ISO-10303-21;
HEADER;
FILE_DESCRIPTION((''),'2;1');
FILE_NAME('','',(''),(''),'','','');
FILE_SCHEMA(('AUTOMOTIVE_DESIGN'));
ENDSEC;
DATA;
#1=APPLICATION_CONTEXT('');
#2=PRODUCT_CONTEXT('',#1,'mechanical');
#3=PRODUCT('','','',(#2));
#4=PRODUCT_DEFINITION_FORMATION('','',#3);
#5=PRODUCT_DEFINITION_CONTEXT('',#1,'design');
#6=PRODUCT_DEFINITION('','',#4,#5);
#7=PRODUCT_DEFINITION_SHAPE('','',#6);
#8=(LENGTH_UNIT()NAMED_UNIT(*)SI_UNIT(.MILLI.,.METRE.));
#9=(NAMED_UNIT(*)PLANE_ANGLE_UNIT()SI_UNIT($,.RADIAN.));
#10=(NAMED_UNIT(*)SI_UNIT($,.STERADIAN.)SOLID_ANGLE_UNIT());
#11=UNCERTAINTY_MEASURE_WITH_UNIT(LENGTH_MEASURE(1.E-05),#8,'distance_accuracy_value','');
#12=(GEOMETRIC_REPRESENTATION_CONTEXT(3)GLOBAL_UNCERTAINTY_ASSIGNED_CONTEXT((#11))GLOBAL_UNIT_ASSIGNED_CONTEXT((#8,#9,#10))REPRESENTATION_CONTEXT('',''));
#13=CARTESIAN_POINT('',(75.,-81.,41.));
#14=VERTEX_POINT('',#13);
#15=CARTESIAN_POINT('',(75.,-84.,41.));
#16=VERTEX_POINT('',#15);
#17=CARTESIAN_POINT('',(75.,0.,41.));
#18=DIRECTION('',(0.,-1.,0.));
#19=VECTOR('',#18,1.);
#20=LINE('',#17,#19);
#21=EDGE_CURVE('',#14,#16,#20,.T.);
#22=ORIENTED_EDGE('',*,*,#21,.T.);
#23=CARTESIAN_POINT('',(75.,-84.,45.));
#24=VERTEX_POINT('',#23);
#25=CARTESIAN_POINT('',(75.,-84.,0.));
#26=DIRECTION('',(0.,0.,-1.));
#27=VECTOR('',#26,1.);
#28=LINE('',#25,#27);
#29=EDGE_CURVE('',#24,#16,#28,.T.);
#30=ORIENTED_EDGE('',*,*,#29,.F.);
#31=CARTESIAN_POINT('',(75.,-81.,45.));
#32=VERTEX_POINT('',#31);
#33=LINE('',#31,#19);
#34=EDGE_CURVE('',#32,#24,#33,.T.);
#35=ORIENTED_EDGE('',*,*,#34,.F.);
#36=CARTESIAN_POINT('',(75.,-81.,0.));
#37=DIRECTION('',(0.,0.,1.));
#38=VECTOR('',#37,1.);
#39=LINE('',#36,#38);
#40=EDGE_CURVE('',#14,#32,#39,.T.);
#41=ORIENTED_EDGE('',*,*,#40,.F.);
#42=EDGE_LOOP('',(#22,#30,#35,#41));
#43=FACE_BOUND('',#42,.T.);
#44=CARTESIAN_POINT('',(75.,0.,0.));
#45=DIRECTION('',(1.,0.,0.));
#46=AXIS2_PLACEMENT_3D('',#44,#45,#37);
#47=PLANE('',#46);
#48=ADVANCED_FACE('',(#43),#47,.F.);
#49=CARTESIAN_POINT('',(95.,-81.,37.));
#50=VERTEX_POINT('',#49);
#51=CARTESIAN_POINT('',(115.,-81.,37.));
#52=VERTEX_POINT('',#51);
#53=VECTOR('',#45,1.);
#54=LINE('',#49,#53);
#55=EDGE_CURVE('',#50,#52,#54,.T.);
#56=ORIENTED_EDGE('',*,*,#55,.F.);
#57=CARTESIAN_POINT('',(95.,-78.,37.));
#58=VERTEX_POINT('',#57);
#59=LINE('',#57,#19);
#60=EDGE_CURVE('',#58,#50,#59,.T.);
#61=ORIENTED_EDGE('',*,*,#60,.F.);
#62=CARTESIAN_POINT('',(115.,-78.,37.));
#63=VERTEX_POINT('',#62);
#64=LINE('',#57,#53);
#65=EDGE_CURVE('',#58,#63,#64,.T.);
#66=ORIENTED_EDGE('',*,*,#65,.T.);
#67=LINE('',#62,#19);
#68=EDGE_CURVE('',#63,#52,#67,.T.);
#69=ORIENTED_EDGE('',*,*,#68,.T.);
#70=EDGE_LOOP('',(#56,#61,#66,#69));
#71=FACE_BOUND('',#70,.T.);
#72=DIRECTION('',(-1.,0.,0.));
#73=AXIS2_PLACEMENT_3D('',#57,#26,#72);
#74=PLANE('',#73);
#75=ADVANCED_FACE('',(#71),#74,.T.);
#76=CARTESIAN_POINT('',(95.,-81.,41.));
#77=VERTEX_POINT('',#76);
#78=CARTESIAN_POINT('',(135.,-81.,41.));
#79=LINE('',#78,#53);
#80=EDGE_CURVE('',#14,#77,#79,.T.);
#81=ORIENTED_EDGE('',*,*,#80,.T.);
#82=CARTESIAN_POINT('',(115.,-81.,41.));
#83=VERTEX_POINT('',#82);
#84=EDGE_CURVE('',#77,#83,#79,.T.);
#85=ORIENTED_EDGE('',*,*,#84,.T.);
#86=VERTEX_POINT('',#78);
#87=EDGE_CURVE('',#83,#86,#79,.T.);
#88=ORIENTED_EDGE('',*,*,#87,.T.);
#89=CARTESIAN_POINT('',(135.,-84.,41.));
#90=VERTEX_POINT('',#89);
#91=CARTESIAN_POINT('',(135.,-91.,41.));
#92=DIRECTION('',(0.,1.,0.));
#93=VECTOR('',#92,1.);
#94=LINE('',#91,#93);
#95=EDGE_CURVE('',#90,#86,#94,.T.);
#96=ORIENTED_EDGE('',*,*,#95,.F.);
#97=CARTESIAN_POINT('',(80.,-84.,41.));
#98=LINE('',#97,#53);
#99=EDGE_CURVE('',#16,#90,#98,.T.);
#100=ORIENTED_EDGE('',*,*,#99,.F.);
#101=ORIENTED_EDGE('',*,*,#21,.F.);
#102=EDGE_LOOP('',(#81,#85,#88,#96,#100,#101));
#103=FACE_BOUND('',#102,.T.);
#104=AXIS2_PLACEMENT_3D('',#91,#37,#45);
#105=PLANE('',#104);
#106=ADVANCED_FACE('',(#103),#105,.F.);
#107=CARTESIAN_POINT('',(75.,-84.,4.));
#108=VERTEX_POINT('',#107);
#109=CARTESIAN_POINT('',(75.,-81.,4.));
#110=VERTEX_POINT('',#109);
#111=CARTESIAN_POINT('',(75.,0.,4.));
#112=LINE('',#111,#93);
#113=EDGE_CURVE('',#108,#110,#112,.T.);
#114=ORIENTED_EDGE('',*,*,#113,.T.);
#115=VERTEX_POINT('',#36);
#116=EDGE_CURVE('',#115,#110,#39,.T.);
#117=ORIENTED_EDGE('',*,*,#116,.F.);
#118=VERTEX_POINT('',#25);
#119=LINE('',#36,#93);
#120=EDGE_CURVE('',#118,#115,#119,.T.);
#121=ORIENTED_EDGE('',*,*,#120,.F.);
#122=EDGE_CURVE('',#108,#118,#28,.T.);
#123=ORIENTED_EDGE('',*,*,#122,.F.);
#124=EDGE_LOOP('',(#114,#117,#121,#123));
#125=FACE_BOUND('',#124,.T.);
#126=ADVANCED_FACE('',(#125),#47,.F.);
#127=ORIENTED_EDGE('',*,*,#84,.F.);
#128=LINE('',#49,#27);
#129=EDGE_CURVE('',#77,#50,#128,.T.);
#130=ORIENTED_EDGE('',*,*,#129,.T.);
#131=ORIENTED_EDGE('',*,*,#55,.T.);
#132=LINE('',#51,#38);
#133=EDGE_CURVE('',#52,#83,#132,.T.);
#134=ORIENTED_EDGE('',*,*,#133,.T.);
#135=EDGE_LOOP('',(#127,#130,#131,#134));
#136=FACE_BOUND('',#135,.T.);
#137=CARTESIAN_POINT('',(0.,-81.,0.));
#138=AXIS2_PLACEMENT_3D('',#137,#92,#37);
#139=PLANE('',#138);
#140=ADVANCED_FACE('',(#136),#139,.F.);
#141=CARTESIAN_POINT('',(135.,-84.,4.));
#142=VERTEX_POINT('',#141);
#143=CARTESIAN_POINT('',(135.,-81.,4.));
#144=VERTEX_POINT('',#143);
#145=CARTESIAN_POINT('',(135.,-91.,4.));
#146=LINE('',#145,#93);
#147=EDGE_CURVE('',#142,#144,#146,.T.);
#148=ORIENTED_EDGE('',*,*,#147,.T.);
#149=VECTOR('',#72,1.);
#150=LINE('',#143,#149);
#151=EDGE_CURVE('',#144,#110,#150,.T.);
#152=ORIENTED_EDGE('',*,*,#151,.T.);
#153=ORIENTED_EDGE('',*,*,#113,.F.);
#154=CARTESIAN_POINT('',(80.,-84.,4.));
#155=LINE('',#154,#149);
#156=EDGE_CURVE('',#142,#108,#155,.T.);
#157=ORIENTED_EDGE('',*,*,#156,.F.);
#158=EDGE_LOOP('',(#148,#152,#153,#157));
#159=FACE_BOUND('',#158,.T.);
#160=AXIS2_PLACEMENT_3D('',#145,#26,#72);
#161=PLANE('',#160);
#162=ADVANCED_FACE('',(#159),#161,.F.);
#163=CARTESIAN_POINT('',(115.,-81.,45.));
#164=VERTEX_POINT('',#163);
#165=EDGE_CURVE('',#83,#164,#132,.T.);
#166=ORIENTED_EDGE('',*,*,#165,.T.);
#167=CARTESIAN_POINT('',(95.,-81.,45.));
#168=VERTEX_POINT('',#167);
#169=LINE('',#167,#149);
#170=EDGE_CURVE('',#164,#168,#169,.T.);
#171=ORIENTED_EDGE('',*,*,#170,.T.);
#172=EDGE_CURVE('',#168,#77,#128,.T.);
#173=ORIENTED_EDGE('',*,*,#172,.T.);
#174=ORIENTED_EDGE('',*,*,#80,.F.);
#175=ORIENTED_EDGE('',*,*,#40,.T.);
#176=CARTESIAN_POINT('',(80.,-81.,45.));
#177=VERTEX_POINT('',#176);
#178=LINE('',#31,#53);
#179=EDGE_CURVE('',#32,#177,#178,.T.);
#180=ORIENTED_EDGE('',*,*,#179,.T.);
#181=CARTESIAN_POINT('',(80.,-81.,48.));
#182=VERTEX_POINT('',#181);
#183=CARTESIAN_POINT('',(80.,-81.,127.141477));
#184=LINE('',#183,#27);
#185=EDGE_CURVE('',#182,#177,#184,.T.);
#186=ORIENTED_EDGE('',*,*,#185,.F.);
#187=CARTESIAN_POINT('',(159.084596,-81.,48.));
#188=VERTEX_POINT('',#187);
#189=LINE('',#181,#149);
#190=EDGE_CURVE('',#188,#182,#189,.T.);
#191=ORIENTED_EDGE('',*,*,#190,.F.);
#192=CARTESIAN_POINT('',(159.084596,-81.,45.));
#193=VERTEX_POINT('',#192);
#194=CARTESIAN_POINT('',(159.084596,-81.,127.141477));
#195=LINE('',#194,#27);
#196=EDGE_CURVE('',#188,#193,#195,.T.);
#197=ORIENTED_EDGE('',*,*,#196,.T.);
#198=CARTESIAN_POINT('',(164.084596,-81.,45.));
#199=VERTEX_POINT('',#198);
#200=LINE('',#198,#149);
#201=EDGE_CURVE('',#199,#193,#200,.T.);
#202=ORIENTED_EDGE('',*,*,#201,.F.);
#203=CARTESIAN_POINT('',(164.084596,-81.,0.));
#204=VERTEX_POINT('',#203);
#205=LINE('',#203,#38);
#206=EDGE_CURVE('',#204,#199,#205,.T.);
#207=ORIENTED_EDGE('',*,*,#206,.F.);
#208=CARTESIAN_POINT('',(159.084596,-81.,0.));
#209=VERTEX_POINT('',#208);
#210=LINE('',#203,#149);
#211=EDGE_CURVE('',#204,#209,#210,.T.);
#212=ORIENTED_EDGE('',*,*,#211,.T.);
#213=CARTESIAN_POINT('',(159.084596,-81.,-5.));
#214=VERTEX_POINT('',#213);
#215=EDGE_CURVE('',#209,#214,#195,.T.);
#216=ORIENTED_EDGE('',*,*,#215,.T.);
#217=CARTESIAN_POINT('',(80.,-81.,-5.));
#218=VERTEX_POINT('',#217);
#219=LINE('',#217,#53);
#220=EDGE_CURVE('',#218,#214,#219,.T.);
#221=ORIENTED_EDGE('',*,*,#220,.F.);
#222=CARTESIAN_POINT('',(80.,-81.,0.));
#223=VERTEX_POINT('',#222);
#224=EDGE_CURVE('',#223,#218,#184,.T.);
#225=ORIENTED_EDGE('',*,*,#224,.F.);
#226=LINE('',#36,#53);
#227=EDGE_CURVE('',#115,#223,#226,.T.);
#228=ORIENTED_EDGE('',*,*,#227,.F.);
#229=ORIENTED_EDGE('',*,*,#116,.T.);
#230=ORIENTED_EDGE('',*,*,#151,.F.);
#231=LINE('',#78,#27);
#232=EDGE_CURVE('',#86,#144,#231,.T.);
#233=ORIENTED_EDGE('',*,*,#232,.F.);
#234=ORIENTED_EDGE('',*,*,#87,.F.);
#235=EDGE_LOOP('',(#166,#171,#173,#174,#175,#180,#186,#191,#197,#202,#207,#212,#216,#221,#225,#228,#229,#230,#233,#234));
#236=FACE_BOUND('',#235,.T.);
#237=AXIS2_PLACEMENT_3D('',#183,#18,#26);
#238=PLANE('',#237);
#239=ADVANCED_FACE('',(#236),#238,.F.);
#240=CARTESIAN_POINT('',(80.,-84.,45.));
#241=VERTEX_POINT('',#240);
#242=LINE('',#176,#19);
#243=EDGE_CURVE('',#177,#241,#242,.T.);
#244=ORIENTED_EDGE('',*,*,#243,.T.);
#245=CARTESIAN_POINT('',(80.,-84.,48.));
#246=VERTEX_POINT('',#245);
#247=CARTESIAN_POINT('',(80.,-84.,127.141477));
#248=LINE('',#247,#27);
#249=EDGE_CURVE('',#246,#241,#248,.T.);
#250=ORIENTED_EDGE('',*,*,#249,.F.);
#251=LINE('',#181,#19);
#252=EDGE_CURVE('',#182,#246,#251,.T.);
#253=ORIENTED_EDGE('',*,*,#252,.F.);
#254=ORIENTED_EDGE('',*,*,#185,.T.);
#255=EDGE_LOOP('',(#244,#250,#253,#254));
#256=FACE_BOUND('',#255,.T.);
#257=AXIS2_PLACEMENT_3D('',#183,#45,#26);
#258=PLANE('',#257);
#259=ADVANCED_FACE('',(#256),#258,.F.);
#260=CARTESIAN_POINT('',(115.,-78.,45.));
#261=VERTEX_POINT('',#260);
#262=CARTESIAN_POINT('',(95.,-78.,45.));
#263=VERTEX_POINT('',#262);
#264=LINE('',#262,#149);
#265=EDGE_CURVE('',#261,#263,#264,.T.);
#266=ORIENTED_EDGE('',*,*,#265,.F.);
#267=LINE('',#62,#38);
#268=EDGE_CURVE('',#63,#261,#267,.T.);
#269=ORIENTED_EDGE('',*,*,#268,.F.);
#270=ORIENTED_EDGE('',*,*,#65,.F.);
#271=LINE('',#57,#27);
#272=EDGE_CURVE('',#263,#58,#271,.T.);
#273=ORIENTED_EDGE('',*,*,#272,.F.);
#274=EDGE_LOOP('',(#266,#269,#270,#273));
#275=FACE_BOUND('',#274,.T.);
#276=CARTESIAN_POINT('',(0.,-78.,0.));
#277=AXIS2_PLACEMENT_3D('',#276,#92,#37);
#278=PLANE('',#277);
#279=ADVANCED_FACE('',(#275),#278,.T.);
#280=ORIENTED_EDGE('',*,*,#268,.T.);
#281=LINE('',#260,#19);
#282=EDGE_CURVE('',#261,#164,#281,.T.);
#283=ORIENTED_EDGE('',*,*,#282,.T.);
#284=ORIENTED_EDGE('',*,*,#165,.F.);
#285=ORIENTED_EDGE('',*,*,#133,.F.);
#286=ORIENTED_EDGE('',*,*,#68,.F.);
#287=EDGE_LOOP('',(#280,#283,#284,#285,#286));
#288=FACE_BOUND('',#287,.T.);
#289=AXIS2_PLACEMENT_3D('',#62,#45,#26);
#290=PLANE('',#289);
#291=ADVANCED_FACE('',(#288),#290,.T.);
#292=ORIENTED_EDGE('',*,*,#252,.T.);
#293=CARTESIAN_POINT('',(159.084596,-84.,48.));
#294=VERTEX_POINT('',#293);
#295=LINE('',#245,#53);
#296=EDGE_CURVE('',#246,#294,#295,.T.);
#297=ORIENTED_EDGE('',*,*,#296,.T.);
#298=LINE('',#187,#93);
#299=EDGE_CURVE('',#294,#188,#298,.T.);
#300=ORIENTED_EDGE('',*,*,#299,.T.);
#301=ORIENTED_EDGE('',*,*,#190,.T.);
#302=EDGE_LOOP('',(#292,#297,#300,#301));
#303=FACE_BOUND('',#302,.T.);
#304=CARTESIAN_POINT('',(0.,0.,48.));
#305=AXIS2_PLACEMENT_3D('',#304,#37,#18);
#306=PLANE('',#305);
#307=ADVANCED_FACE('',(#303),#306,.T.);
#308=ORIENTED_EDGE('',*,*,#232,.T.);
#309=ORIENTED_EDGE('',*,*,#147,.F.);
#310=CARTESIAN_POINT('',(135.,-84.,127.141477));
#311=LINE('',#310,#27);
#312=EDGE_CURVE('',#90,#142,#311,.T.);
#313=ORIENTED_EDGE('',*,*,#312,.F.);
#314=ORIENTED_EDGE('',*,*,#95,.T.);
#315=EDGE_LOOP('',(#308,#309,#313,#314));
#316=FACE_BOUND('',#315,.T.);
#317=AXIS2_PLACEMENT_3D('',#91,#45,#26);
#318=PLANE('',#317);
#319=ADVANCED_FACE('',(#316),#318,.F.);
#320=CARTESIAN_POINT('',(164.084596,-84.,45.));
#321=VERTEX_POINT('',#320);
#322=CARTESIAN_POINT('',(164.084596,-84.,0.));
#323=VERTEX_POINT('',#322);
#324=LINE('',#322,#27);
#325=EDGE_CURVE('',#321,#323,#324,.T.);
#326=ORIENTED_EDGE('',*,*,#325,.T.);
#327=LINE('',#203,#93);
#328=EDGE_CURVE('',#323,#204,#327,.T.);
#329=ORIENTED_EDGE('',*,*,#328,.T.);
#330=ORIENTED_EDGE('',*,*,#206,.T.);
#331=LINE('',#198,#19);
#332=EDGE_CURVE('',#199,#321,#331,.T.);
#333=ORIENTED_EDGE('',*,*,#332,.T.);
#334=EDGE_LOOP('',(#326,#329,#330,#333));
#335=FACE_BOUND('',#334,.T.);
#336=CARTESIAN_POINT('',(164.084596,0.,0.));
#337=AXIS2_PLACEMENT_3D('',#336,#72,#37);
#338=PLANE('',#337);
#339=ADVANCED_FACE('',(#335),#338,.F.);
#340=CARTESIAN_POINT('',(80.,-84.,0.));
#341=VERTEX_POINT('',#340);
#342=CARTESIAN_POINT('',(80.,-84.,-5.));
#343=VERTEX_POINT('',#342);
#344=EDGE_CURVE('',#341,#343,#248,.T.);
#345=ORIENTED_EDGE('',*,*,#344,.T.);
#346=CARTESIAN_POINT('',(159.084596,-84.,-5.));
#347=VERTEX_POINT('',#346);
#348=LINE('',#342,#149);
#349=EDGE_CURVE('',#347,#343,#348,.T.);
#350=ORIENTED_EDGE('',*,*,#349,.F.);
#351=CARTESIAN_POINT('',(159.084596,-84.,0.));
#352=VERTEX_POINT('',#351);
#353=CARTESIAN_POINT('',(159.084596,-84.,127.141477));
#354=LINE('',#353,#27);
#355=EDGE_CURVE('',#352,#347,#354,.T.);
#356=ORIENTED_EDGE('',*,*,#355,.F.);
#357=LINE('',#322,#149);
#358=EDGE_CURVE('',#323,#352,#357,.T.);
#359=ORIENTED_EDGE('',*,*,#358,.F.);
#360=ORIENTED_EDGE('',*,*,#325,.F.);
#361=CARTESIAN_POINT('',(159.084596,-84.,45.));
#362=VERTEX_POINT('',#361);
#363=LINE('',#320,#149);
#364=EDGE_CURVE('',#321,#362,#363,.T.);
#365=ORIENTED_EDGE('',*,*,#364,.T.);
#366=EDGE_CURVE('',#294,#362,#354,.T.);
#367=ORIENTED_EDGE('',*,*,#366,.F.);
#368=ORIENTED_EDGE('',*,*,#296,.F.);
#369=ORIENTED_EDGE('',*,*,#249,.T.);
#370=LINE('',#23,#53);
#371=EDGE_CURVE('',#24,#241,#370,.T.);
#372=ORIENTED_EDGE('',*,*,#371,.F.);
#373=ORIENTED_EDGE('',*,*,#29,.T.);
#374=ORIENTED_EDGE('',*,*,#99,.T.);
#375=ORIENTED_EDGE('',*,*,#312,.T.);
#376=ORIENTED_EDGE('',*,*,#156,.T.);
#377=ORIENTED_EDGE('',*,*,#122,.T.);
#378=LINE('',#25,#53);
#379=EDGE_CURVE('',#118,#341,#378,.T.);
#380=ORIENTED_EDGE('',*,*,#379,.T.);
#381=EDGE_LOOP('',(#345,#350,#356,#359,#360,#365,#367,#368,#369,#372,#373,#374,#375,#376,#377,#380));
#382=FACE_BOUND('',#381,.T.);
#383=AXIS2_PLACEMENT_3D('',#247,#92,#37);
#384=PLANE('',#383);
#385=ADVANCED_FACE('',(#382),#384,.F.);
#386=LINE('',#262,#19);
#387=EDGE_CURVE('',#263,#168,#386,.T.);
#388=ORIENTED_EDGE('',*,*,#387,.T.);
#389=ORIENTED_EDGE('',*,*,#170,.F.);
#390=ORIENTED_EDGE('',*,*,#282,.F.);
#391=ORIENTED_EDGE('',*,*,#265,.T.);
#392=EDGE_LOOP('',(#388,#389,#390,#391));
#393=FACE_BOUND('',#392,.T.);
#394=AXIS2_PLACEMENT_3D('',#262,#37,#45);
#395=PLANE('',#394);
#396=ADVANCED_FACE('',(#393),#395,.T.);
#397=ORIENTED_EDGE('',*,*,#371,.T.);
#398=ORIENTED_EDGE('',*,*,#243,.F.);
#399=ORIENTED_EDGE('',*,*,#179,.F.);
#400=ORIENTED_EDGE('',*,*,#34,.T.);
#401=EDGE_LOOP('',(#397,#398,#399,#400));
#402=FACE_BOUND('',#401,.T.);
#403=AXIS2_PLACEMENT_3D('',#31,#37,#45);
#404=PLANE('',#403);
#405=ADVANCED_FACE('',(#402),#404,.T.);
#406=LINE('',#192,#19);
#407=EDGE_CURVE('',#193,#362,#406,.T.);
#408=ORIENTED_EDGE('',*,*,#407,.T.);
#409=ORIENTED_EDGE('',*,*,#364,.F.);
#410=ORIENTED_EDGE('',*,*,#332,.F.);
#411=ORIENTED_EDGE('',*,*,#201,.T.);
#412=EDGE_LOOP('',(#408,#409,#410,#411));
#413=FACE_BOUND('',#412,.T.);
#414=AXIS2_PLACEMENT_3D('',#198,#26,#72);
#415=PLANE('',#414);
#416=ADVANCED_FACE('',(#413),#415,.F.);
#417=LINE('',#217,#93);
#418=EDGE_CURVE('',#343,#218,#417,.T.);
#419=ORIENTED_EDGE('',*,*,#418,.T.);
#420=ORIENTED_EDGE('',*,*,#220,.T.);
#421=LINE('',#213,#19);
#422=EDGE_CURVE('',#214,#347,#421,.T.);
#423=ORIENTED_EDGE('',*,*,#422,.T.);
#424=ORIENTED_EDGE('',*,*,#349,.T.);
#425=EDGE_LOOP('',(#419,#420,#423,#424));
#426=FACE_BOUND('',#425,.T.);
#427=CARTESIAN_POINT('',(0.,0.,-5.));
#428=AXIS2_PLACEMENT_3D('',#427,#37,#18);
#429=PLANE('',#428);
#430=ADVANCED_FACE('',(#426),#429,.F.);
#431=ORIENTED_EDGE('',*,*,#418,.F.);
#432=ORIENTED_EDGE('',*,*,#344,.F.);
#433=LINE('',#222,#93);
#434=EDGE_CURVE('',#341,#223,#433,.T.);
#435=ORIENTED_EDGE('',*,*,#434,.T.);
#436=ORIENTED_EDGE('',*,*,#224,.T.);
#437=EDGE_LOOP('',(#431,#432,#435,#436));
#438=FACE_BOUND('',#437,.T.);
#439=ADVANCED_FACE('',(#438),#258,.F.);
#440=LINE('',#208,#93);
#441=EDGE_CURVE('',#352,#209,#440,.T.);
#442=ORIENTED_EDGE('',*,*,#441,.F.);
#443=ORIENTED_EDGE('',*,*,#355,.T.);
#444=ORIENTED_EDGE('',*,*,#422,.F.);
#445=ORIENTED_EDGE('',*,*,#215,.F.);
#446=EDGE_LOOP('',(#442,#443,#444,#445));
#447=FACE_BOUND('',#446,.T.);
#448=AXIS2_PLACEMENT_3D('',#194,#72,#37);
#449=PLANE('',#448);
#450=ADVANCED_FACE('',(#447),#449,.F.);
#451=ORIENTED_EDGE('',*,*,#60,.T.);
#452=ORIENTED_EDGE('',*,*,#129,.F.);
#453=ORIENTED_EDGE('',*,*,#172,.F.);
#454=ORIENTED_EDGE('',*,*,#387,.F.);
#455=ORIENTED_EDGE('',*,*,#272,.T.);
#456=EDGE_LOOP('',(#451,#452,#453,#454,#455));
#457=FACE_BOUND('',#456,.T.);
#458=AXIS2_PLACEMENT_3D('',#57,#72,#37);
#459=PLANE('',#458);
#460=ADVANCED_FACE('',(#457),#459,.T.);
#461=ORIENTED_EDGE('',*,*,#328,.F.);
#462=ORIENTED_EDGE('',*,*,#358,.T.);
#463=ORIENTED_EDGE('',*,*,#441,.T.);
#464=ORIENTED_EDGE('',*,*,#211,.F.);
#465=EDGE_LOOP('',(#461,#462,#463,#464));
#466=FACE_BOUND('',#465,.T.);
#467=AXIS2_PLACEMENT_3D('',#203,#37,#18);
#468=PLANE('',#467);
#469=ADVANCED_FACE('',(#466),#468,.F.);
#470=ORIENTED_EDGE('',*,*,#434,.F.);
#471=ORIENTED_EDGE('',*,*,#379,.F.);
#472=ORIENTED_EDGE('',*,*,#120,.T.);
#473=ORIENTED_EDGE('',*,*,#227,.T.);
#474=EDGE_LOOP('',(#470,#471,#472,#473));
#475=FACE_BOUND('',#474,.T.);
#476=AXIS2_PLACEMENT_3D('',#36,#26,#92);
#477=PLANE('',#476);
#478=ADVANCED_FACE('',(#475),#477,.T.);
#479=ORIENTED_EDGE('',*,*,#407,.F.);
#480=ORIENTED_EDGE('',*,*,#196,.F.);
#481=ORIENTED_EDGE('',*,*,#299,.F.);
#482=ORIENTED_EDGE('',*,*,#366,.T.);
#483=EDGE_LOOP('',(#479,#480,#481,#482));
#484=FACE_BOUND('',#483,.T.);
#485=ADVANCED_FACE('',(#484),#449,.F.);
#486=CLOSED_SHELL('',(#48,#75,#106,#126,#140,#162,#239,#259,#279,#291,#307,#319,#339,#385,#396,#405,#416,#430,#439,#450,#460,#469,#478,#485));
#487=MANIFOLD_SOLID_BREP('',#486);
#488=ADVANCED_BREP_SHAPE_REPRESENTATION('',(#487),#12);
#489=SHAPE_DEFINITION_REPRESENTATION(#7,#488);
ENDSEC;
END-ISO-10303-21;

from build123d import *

# Parameters (mm, degrees)
ESTRUSIONE_ESTRUSIONE1_DEPTH      = 48
ESTRUSIONE_ESTRUSIONE1_DEPTH_BACK = 5
SCHIZZO1_W                        = 79.084596206
SCHIZZO1_H                        = 3
SCHIZZO2_W                        = 45
SCHIZZO2_H                        = 3
ESTRUSIONE_ESTRUSIONE2_DEPTH      = 5
SCHIZZO3_W                        = 60
SCHIZZO3_H                        = 37
TAGLIO_ESTRUSIONE1_DEPTH          = 10
SCHIZZO4_W                        = 20
SCHIZZO4_H                        = 8
ESTRUSIONE_ESTRUSIONE3_DEPTH      = 3


with BuildPart() as part:
    # Schizzo1 → Estrusione-Estrusione1 (new, two sides: drawn at the far end of the back side and taken through both)
    with BuildSketch(Plane.XY.offset(-ESTRUSIONE_ESTRUSIONE1_DEPTH_BACK)):
        with Locations((119.542298103, -82.5)):
            Rectangle(SCHIZZO1_W, SCHIZZO1_H)
    extrude(amount=ESTRUSIONE_ESTRUSIONE1_DEPTH + ESTRUSIONE_ESTRUSIONE1_DEPTH_BACK)

    # Schizzo2 → Estrusione-Estrusione2 (add)
    with BuildSketch(Plane(origin=(159.084596206, 0, 0), x_dir=(0, 0, -1), z_dir=(1, 0, 0))):
        with Locations((-22.5, -82.5)):
            Rectangle(SCHIZZO2_W, SCHIZZO2_H)
    estrusione_estrusione2 = extrude(amount=ESTRUSIONE_ESTRUSIONE2_DEPTH)

    # Specchia1: Estrusione-Estrusione2 across plane
    add(estrusione_estrusione2.mirror(Plane(origin=(119.542298103, 0, 0), x_dir=(0, 0, 1), z_dir=(1, 0, 0))))

    # Schizzo3 → Taglio-Estrusione1 (cut)
    with BuildSketch(Plane(origin=(0, -81, 0), x_dir=(1, 0, 0), z_dir=(0, 1, 0))):
        with Locations((105, -22.5)):
            Rectangle(SCHIZZO3_W, SCHIZZO3_H)
    extrude(amount=-TAGLIO_ESTRUSIONE1_DEPTH, mode=Mode.SUBTRACT)

    # Schizzo4 → Estrusione-Estrusione3 (add)
    with BuildSketch(Plane.XZ.offset(81)):
        with Locations((105, 41)):
            Rectangle(SCHIZZO4_W, SCHIZZO4_H)
    extrude(amount=-ESTRUSIONE_ESTRUSIONE3_DEPTH)


solid = part.part
